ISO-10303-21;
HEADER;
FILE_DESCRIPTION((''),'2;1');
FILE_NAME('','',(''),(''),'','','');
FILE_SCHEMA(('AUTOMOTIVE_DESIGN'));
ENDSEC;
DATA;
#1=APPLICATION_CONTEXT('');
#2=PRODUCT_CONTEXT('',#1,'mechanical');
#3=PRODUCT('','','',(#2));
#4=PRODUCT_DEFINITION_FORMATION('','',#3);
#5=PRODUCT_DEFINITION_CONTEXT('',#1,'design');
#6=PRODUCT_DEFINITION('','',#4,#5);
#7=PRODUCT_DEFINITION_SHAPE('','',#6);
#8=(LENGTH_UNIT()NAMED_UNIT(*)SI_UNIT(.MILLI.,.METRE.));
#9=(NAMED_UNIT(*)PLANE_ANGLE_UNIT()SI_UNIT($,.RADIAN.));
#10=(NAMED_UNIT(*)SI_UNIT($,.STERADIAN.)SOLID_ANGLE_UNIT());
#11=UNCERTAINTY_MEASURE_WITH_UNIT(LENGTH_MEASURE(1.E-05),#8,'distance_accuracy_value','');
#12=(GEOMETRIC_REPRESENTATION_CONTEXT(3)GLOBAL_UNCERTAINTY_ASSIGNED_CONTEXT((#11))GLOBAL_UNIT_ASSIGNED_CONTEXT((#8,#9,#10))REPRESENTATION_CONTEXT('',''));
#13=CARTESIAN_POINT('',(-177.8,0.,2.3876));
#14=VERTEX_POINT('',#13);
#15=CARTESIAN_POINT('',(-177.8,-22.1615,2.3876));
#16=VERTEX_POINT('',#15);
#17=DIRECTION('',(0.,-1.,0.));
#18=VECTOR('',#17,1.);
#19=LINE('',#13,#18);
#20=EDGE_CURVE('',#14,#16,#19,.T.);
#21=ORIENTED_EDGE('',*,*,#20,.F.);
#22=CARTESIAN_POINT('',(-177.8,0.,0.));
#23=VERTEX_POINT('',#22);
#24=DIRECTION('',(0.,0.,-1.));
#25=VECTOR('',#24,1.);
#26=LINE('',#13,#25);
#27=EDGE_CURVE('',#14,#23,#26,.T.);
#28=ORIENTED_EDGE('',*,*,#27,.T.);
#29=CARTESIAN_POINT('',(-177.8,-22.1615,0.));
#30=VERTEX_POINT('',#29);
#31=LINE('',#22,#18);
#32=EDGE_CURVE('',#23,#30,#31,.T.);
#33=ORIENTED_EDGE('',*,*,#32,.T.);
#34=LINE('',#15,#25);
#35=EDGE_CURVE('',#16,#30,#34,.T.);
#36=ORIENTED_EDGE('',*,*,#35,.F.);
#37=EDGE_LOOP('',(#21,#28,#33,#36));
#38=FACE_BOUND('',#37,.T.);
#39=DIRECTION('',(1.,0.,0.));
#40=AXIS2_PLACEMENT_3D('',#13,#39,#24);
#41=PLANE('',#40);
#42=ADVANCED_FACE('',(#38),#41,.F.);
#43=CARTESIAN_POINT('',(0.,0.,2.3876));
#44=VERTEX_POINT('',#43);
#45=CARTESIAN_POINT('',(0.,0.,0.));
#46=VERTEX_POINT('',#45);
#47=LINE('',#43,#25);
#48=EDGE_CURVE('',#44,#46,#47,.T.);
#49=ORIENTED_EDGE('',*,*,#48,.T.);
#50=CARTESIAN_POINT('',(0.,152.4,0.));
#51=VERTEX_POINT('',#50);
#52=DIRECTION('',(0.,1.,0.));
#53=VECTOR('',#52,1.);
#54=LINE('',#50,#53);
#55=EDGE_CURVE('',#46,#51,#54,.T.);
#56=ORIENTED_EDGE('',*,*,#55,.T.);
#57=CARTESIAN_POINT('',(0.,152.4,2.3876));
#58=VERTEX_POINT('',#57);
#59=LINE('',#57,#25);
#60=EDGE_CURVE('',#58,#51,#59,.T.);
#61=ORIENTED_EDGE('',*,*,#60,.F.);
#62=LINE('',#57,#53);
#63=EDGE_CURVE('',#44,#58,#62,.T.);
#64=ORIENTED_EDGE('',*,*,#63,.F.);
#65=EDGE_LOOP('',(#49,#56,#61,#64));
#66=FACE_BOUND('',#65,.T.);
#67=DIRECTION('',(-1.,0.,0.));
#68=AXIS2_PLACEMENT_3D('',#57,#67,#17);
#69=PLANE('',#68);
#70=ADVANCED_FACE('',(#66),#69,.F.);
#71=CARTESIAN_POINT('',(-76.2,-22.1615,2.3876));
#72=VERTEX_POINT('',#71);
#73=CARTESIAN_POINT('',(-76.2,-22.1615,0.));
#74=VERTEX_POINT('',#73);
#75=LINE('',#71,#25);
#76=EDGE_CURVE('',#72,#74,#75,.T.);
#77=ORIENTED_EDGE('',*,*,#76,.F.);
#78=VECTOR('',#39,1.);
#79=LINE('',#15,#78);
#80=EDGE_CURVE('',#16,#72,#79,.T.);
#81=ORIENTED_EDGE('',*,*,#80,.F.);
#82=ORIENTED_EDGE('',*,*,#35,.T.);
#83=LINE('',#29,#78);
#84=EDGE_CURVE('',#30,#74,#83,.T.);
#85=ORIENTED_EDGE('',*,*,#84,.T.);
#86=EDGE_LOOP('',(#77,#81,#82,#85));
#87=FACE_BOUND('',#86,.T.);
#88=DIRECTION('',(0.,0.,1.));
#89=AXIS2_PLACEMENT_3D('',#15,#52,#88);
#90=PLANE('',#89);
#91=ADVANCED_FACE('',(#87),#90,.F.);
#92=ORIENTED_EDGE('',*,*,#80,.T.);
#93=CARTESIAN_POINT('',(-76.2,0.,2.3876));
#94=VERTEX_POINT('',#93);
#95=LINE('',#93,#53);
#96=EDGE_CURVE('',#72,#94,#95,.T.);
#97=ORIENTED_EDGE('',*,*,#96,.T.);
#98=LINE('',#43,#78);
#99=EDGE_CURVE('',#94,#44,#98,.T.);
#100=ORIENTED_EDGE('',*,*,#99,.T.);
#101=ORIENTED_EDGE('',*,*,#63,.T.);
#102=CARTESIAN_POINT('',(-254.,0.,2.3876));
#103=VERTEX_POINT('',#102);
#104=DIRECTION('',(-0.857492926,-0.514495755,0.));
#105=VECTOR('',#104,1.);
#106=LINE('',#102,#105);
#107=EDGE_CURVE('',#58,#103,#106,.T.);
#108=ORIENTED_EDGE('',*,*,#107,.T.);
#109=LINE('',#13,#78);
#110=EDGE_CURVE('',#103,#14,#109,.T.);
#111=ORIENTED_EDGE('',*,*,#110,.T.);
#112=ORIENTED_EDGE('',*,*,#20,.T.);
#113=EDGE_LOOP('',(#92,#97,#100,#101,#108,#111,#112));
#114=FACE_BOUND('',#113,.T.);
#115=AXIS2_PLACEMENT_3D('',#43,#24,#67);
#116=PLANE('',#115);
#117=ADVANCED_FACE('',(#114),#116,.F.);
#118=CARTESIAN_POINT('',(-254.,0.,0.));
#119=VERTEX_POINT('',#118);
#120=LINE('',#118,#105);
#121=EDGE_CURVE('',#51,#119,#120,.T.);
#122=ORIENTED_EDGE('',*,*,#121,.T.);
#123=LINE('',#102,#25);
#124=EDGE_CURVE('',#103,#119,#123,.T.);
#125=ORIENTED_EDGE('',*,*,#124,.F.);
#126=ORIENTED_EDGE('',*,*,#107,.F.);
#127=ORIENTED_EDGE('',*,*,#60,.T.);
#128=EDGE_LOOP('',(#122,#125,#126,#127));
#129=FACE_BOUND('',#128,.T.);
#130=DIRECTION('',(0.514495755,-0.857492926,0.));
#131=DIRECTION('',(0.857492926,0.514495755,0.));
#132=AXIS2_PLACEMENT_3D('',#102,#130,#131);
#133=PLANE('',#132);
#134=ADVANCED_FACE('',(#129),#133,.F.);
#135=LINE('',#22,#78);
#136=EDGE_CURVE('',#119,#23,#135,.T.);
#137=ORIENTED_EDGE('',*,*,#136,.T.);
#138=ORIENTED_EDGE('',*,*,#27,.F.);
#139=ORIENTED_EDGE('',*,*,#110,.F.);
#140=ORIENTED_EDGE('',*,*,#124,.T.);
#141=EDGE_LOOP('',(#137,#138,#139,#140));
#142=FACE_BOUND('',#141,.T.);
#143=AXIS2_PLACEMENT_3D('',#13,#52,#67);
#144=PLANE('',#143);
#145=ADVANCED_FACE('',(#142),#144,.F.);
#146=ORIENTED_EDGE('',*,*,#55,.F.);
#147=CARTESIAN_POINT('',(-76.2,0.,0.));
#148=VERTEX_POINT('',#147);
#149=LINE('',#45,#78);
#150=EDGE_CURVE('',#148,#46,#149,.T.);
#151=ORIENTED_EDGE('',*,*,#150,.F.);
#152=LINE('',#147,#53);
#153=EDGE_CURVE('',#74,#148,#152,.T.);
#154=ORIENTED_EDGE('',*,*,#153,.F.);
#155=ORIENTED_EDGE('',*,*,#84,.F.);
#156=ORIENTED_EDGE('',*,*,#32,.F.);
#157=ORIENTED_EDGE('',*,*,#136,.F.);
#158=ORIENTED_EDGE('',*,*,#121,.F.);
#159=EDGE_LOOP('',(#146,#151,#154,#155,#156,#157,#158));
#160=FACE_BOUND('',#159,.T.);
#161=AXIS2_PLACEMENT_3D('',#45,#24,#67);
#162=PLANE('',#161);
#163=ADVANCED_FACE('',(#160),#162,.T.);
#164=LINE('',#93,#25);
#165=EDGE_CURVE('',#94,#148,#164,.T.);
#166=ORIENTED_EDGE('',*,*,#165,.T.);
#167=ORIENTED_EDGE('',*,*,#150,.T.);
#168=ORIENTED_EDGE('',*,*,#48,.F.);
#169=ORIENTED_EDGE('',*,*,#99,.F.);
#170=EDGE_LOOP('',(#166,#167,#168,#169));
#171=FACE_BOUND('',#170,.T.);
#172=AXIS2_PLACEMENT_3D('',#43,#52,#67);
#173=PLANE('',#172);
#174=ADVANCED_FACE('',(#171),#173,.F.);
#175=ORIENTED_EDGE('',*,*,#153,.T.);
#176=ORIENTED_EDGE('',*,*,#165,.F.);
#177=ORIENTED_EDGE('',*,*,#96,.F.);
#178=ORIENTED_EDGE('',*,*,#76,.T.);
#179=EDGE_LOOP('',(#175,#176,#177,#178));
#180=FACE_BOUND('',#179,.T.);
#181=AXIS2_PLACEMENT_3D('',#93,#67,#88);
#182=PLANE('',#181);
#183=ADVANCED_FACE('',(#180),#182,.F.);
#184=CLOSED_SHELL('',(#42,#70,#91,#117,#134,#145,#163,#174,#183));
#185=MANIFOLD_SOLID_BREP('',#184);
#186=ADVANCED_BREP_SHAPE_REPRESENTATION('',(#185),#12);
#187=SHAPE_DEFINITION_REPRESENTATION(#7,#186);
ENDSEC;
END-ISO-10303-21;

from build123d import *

# Parameters (mm, degrees)
BOSS_EXTRUDE1_DEPTH = 2.3876


with BuildPart() as part:
    # Sketch1 → Boss-Extrude1 (new body)
    with BuildSketch(Plane.XY):
        Polygon((0, 0), (-76.2, 0), (-76.2, -22.1615), (-177.8, -22.1615), (-177.8, 0), (-254, 0), (0, 152.4), align=None)
    extrude(amount=BOSS_EXTRUDE1_DEPTH)


solid = part.part
